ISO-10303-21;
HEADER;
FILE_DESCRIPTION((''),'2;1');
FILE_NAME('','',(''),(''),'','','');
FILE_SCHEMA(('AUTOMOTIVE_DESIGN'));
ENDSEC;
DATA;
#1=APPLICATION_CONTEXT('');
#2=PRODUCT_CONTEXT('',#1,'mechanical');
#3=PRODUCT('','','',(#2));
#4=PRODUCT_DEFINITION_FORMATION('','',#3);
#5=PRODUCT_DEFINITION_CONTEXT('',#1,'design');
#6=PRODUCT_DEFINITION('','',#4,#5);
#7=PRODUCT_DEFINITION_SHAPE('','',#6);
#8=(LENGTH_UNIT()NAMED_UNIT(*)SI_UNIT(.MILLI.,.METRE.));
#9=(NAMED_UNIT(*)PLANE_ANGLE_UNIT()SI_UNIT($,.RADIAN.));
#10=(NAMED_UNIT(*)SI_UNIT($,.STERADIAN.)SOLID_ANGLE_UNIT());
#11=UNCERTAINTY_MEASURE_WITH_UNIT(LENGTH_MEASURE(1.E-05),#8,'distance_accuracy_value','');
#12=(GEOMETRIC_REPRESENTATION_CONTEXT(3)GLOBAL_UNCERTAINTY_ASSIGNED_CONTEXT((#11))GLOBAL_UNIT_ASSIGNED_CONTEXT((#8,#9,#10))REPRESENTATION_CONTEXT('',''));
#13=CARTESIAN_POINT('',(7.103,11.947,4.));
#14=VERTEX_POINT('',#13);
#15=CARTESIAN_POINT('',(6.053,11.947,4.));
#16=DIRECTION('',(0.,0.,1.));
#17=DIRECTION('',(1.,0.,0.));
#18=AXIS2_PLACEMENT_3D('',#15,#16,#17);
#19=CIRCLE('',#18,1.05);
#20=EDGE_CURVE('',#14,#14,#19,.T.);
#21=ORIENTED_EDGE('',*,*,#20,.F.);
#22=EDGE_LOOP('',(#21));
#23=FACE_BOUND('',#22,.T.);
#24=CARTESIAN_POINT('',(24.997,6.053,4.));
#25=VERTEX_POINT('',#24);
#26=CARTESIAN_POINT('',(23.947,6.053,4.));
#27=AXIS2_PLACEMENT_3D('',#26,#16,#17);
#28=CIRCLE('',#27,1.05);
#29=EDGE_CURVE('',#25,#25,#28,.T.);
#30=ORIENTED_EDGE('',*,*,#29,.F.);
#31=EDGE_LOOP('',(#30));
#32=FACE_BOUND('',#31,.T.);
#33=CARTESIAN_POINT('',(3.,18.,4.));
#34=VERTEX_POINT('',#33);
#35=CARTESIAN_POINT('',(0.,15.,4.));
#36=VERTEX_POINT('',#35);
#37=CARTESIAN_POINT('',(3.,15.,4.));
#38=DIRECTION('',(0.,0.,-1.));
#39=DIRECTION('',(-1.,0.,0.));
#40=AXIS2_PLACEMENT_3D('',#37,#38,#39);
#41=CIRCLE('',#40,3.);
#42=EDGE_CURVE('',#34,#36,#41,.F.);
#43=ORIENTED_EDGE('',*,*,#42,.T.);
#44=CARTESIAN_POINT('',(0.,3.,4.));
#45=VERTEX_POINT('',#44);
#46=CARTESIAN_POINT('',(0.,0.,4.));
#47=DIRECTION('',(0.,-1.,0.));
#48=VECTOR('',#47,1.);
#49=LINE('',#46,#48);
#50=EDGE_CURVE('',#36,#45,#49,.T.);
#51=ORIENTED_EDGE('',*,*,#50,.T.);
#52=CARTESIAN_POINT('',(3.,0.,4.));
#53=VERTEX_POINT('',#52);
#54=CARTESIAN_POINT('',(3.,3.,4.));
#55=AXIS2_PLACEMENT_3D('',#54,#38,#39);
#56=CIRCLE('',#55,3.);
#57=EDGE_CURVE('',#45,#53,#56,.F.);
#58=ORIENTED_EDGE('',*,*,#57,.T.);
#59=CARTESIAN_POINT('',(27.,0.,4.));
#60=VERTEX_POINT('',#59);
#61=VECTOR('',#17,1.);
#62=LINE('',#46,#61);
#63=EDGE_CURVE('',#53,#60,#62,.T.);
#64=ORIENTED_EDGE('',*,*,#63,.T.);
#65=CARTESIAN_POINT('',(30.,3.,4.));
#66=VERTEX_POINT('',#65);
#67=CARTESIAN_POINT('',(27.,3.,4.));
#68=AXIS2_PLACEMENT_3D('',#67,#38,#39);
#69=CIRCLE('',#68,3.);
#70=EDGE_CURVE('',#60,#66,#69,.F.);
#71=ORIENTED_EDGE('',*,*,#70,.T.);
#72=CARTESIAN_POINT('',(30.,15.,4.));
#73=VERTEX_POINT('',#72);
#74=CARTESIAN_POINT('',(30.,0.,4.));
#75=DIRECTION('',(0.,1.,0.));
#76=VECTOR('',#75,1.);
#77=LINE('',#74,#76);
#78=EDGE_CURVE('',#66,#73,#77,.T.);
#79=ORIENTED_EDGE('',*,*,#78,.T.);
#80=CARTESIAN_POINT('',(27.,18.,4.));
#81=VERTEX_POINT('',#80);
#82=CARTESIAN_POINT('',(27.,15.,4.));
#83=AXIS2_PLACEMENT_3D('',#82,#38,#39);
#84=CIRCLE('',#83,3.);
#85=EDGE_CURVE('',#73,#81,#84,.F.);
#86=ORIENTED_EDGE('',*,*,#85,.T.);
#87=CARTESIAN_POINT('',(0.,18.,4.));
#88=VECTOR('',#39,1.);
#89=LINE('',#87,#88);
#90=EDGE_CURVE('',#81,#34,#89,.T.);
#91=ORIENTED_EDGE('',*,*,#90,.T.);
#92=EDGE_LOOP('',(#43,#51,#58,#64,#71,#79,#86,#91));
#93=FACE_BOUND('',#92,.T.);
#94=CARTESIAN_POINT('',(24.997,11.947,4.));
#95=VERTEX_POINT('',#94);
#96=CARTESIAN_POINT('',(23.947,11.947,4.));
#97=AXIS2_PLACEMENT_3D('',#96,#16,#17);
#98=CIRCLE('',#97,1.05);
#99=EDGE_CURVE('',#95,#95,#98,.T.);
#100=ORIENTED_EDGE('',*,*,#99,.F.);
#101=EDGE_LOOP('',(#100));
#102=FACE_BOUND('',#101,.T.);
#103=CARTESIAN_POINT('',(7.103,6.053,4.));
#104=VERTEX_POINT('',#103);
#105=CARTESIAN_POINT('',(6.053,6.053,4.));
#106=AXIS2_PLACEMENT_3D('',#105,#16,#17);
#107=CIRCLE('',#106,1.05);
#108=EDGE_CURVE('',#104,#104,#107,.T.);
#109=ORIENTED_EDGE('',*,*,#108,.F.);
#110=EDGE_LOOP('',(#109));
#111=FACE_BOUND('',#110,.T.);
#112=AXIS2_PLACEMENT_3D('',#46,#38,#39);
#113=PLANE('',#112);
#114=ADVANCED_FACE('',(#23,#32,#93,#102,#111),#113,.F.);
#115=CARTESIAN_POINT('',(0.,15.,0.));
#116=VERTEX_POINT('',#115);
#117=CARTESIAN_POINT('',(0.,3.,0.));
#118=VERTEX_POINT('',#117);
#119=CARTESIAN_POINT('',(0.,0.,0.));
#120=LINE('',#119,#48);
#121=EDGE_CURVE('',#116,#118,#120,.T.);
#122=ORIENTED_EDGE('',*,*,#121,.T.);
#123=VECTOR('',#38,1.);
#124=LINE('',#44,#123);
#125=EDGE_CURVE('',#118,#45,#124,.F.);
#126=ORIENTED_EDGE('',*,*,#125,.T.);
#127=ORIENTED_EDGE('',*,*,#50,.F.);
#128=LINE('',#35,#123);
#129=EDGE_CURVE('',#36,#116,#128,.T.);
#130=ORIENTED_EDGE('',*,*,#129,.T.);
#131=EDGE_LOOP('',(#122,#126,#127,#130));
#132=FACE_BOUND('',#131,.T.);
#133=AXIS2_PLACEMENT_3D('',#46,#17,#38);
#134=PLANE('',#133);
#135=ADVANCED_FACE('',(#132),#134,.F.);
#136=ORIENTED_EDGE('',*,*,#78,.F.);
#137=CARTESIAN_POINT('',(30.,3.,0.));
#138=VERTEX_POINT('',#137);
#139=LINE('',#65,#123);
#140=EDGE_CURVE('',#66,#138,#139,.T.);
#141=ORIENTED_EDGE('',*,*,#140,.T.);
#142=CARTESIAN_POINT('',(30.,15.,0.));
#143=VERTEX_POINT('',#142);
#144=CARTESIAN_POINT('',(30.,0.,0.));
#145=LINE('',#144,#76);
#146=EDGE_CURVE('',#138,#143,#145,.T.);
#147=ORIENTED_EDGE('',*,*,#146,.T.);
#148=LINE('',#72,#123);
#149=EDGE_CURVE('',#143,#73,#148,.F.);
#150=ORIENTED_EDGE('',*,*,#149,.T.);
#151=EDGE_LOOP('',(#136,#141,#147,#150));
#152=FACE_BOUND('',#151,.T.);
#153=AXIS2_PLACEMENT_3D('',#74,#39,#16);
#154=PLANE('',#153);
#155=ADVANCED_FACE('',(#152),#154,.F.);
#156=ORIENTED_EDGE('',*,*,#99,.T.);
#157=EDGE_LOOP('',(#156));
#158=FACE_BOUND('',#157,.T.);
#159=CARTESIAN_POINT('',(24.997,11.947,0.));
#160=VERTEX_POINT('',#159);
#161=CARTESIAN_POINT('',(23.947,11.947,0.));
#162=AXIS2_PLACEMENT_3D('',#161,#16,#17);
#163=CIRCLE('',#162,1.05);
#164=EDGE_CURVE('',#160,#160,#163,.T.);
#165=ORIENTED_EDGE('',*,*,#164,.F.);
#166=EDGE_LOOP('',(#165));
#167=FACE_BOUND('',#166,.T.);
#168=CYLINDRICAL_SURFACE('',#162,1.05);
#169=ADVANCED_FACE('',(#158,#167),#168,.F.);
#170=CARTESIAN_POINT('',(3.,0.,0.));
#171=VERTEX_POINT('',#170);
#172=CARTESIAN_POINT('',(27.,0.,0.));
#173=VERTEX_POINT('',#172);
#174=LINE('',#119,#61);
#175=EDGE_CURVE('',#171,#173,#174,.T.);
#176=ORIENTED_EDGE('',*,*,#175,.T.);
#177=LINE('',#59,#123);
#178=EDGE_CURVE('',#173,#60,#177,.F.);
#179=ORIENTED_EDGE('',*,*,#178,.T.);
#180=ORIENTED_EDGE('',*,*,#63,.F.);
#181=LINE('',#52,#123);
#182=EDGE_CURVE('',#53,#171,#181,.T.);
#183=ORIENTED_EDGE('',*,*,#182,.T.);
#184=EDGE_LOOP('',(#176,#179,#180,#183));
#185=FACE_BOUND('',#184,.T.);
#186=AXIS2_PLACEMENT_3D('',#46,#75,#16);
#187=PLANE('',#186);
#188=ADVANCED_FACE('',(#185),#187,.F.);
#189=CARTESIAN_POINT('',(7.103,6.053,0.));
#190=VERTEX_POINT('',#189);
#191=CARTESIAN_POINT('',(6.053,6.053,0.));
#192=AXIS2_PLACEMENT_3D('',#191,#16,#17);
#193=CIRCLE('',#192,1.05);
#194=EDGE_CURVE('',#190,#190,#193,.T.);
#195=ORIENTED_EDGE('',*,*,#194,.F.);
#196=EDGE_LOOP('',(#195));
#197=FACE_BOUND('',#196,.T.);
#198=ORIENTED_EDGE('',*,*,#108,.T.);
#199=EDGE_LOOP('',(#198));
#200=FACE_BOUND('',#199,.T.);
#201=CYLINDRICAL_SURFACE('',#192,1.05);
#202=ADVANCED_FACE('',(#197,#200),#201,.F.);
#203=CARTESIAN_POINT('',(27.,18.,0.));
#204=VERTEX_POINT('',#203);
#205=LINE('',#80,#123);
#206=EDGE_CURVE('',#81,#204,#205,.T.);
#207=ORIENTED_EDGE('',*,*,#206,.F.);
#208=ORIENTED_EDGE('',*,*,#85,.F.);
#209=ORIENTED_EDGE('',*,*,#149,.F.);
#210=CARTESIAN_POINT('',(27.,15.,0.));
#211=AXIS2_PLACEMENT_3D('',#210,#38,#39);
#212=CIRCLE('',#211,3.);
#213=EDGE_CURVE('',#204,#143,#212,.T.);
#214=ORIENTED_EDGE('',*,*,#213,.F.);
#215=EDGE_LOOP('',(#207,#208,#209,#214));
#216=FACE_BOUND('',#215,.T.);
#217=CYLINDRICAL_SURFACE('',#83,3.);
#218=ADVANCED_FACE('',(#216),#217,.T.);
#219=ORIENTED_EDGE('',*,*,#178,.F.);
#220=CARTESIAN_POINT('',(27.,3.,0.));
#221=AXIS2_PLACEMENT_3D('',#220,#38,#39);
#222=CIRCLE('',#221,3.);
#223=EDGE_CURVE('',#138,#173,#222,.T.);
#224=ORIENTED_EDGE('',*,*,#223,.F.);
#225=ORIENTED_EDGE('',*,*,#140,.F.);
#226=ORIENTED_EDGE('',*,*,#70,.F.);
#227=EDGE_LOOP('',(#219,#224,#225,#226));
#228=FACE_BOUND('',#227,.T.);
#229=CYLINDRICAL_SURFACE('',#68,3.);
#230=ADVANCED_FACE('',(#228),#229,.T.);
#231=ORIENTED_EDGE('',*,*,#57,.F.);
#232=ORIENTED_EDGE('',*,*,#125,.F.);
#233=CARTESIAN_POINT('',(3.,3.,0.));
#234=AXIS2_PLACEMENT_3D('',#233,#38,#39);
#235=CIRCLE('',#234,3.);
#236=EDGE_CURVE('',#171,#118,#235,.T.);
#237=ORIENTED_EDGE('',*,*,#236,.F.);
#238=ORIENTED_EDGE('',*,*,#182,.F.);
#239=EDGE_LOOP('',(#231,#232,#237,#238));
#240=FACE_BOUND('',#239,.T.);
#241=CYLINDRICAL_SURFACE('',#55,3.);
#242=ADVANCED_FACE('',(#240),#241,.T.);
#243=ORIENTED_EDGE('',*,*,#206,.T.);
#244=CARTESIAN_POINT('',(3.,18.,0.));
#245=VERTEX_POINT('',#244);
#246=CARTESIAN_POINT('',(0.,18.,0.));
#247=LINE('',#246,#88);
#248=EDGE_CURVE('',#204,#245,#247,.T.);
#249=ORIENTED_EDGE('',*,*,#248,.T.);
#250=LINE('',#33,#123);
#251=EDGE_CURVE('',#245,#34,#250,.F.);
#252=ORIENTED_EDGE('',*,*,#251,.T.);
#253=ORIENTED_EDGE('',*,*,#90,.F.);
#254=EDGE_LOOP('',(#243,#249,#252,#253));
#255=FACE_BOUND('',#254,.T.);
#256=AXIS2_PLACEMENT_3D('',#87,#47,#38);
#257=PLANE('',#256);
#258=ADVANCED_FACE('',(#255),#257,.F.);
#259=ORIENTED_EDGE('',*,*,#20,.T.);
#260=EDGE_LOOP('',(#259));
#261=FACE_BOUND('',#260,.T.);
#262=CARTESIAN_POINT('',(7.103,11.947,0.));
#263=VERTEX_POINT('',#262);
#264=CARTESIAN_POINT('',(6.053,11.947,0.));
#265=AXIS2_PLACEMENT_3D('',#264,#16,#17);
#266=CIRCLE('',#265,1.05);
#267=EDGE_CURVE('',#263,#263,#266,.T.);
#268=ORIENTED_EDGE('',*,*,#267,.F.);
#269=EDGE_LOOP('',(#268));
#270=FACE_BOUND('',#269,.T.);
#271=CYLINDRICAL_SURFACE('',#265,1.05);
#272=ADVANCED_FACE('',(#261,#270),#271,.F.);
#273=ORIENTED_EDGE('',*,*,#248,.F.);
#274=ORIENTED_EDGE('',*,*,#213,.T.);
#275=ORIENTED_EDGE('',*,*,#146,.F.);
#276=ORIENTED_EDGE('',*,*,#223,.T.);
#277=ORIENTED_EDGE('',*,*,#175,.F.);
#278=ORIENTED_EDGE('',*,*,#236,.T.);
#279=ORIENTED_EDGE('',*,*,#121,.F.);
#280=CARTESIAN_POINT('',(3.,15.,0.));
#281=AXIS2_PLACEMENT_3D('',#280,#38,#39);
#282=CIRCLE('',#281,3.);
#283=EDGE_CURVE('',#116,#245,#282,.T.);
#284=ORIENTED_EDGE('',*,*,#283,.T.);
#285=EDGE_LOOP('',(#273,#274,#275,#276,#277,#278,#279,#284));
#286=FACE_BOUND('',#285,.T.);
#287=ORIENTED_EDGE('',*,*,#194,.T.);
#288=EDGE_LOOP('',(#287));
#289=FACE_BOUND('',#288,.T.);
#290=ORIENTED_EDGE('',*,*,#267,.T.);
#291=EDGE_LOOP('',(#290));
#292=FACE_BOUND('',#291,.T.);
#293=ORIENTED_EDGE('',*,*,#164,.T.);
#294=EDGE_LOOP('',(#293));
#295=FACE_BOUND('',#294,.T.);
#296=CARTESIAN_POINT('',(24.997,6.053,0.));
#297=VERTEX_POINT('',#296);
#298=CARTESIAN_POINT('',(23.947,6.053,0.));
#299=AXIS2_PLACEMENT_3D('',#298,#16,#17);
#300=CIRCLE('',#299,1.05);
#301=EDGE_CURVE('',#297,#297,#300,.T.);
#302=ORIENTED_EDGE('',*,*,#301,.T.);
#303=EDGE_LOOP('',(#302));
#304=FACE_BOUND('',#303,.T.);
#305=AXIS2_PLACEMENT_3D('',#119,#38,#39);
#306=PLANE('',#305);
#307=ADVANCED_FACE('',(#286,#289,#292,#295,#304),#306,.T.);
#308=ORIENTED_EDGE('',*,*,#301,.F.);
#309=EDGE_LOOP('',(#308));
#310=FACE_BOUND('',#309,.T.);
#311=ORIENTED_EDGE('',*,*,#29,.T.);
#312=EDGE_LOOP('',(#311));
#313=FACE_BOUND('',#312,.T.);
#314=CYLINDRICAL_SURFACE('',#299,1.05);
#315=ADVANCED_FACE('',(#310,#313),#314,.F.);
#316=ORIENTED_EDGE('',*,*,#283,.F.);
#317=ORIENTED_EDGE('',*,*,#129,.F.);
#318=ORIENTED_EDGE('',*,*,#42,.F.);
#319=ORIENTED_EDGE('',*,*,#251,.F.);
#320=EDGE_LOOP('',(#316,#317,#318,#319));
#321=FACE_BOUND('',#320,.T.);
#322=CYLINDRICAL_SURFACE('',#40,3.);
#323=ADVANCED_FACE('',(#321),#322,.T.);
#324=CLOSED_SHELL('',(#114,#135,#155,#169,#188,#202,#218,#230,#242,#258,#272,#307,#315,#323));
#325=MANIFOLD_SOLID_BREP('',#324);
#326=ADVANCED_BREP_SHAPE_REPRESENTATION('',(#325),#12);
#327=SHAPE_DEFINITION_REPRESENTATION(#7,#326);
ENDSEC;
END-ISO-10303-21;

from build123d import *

# Parameters (mm, degrees)
ESQUISSE1_W             = 30
ESQUISSE1_H             = 18
BOSS_EXTRU_1_DEPTH      = 4
CONG_1_R                = 3
ESQUISSE2_R             = 1.05
ENL_V_MAT_EXTRU_1_DEPTH = 5


with BuildPart() as part:
    # Esquisse1 → Boss.-Extru.1 (new body)
    with BuildSketch(Plane.XY):
        with Locations((15, 9)):
            Rectangle(ESQUISSE1_W, ESQUISSE1_H)
    extrude(amount=BOSS_EXTRU_1_DEPTH)

    # Congé1
    cong_1_edges = [part.edges().sort_by_distance(p)[0] for p in [
        (0, 18, 2),
        (30, 18, 2),
        (30, 0, 2),
        (0, 0, 2),
    ]]
    fillet(cong_1_edges, radius=CONG_1_R)

    # Esquisse2 → Enlèv. mat.-Extru.1 (cut, through all)
    with BuildSketch(Plane.XY.offset(4)):
        with Locations((6.053, 11.947)):
            Circle(ESQUISSE2_R)
        with Locations((6.053, 6.053)):
            Circle(ESQUISSE2_R)
        with Locations((23.947, 11.947)):
            Circle(ESQUISSE2_R)
        with Locations((23.947, 6.053)):
            Circle(ESQUISSE2_R)
    extrude(amount=-ENL_V_MAT_EXTRU_1_DEPTH, mode=Mode.SUBTRACT)


solid = part.part
